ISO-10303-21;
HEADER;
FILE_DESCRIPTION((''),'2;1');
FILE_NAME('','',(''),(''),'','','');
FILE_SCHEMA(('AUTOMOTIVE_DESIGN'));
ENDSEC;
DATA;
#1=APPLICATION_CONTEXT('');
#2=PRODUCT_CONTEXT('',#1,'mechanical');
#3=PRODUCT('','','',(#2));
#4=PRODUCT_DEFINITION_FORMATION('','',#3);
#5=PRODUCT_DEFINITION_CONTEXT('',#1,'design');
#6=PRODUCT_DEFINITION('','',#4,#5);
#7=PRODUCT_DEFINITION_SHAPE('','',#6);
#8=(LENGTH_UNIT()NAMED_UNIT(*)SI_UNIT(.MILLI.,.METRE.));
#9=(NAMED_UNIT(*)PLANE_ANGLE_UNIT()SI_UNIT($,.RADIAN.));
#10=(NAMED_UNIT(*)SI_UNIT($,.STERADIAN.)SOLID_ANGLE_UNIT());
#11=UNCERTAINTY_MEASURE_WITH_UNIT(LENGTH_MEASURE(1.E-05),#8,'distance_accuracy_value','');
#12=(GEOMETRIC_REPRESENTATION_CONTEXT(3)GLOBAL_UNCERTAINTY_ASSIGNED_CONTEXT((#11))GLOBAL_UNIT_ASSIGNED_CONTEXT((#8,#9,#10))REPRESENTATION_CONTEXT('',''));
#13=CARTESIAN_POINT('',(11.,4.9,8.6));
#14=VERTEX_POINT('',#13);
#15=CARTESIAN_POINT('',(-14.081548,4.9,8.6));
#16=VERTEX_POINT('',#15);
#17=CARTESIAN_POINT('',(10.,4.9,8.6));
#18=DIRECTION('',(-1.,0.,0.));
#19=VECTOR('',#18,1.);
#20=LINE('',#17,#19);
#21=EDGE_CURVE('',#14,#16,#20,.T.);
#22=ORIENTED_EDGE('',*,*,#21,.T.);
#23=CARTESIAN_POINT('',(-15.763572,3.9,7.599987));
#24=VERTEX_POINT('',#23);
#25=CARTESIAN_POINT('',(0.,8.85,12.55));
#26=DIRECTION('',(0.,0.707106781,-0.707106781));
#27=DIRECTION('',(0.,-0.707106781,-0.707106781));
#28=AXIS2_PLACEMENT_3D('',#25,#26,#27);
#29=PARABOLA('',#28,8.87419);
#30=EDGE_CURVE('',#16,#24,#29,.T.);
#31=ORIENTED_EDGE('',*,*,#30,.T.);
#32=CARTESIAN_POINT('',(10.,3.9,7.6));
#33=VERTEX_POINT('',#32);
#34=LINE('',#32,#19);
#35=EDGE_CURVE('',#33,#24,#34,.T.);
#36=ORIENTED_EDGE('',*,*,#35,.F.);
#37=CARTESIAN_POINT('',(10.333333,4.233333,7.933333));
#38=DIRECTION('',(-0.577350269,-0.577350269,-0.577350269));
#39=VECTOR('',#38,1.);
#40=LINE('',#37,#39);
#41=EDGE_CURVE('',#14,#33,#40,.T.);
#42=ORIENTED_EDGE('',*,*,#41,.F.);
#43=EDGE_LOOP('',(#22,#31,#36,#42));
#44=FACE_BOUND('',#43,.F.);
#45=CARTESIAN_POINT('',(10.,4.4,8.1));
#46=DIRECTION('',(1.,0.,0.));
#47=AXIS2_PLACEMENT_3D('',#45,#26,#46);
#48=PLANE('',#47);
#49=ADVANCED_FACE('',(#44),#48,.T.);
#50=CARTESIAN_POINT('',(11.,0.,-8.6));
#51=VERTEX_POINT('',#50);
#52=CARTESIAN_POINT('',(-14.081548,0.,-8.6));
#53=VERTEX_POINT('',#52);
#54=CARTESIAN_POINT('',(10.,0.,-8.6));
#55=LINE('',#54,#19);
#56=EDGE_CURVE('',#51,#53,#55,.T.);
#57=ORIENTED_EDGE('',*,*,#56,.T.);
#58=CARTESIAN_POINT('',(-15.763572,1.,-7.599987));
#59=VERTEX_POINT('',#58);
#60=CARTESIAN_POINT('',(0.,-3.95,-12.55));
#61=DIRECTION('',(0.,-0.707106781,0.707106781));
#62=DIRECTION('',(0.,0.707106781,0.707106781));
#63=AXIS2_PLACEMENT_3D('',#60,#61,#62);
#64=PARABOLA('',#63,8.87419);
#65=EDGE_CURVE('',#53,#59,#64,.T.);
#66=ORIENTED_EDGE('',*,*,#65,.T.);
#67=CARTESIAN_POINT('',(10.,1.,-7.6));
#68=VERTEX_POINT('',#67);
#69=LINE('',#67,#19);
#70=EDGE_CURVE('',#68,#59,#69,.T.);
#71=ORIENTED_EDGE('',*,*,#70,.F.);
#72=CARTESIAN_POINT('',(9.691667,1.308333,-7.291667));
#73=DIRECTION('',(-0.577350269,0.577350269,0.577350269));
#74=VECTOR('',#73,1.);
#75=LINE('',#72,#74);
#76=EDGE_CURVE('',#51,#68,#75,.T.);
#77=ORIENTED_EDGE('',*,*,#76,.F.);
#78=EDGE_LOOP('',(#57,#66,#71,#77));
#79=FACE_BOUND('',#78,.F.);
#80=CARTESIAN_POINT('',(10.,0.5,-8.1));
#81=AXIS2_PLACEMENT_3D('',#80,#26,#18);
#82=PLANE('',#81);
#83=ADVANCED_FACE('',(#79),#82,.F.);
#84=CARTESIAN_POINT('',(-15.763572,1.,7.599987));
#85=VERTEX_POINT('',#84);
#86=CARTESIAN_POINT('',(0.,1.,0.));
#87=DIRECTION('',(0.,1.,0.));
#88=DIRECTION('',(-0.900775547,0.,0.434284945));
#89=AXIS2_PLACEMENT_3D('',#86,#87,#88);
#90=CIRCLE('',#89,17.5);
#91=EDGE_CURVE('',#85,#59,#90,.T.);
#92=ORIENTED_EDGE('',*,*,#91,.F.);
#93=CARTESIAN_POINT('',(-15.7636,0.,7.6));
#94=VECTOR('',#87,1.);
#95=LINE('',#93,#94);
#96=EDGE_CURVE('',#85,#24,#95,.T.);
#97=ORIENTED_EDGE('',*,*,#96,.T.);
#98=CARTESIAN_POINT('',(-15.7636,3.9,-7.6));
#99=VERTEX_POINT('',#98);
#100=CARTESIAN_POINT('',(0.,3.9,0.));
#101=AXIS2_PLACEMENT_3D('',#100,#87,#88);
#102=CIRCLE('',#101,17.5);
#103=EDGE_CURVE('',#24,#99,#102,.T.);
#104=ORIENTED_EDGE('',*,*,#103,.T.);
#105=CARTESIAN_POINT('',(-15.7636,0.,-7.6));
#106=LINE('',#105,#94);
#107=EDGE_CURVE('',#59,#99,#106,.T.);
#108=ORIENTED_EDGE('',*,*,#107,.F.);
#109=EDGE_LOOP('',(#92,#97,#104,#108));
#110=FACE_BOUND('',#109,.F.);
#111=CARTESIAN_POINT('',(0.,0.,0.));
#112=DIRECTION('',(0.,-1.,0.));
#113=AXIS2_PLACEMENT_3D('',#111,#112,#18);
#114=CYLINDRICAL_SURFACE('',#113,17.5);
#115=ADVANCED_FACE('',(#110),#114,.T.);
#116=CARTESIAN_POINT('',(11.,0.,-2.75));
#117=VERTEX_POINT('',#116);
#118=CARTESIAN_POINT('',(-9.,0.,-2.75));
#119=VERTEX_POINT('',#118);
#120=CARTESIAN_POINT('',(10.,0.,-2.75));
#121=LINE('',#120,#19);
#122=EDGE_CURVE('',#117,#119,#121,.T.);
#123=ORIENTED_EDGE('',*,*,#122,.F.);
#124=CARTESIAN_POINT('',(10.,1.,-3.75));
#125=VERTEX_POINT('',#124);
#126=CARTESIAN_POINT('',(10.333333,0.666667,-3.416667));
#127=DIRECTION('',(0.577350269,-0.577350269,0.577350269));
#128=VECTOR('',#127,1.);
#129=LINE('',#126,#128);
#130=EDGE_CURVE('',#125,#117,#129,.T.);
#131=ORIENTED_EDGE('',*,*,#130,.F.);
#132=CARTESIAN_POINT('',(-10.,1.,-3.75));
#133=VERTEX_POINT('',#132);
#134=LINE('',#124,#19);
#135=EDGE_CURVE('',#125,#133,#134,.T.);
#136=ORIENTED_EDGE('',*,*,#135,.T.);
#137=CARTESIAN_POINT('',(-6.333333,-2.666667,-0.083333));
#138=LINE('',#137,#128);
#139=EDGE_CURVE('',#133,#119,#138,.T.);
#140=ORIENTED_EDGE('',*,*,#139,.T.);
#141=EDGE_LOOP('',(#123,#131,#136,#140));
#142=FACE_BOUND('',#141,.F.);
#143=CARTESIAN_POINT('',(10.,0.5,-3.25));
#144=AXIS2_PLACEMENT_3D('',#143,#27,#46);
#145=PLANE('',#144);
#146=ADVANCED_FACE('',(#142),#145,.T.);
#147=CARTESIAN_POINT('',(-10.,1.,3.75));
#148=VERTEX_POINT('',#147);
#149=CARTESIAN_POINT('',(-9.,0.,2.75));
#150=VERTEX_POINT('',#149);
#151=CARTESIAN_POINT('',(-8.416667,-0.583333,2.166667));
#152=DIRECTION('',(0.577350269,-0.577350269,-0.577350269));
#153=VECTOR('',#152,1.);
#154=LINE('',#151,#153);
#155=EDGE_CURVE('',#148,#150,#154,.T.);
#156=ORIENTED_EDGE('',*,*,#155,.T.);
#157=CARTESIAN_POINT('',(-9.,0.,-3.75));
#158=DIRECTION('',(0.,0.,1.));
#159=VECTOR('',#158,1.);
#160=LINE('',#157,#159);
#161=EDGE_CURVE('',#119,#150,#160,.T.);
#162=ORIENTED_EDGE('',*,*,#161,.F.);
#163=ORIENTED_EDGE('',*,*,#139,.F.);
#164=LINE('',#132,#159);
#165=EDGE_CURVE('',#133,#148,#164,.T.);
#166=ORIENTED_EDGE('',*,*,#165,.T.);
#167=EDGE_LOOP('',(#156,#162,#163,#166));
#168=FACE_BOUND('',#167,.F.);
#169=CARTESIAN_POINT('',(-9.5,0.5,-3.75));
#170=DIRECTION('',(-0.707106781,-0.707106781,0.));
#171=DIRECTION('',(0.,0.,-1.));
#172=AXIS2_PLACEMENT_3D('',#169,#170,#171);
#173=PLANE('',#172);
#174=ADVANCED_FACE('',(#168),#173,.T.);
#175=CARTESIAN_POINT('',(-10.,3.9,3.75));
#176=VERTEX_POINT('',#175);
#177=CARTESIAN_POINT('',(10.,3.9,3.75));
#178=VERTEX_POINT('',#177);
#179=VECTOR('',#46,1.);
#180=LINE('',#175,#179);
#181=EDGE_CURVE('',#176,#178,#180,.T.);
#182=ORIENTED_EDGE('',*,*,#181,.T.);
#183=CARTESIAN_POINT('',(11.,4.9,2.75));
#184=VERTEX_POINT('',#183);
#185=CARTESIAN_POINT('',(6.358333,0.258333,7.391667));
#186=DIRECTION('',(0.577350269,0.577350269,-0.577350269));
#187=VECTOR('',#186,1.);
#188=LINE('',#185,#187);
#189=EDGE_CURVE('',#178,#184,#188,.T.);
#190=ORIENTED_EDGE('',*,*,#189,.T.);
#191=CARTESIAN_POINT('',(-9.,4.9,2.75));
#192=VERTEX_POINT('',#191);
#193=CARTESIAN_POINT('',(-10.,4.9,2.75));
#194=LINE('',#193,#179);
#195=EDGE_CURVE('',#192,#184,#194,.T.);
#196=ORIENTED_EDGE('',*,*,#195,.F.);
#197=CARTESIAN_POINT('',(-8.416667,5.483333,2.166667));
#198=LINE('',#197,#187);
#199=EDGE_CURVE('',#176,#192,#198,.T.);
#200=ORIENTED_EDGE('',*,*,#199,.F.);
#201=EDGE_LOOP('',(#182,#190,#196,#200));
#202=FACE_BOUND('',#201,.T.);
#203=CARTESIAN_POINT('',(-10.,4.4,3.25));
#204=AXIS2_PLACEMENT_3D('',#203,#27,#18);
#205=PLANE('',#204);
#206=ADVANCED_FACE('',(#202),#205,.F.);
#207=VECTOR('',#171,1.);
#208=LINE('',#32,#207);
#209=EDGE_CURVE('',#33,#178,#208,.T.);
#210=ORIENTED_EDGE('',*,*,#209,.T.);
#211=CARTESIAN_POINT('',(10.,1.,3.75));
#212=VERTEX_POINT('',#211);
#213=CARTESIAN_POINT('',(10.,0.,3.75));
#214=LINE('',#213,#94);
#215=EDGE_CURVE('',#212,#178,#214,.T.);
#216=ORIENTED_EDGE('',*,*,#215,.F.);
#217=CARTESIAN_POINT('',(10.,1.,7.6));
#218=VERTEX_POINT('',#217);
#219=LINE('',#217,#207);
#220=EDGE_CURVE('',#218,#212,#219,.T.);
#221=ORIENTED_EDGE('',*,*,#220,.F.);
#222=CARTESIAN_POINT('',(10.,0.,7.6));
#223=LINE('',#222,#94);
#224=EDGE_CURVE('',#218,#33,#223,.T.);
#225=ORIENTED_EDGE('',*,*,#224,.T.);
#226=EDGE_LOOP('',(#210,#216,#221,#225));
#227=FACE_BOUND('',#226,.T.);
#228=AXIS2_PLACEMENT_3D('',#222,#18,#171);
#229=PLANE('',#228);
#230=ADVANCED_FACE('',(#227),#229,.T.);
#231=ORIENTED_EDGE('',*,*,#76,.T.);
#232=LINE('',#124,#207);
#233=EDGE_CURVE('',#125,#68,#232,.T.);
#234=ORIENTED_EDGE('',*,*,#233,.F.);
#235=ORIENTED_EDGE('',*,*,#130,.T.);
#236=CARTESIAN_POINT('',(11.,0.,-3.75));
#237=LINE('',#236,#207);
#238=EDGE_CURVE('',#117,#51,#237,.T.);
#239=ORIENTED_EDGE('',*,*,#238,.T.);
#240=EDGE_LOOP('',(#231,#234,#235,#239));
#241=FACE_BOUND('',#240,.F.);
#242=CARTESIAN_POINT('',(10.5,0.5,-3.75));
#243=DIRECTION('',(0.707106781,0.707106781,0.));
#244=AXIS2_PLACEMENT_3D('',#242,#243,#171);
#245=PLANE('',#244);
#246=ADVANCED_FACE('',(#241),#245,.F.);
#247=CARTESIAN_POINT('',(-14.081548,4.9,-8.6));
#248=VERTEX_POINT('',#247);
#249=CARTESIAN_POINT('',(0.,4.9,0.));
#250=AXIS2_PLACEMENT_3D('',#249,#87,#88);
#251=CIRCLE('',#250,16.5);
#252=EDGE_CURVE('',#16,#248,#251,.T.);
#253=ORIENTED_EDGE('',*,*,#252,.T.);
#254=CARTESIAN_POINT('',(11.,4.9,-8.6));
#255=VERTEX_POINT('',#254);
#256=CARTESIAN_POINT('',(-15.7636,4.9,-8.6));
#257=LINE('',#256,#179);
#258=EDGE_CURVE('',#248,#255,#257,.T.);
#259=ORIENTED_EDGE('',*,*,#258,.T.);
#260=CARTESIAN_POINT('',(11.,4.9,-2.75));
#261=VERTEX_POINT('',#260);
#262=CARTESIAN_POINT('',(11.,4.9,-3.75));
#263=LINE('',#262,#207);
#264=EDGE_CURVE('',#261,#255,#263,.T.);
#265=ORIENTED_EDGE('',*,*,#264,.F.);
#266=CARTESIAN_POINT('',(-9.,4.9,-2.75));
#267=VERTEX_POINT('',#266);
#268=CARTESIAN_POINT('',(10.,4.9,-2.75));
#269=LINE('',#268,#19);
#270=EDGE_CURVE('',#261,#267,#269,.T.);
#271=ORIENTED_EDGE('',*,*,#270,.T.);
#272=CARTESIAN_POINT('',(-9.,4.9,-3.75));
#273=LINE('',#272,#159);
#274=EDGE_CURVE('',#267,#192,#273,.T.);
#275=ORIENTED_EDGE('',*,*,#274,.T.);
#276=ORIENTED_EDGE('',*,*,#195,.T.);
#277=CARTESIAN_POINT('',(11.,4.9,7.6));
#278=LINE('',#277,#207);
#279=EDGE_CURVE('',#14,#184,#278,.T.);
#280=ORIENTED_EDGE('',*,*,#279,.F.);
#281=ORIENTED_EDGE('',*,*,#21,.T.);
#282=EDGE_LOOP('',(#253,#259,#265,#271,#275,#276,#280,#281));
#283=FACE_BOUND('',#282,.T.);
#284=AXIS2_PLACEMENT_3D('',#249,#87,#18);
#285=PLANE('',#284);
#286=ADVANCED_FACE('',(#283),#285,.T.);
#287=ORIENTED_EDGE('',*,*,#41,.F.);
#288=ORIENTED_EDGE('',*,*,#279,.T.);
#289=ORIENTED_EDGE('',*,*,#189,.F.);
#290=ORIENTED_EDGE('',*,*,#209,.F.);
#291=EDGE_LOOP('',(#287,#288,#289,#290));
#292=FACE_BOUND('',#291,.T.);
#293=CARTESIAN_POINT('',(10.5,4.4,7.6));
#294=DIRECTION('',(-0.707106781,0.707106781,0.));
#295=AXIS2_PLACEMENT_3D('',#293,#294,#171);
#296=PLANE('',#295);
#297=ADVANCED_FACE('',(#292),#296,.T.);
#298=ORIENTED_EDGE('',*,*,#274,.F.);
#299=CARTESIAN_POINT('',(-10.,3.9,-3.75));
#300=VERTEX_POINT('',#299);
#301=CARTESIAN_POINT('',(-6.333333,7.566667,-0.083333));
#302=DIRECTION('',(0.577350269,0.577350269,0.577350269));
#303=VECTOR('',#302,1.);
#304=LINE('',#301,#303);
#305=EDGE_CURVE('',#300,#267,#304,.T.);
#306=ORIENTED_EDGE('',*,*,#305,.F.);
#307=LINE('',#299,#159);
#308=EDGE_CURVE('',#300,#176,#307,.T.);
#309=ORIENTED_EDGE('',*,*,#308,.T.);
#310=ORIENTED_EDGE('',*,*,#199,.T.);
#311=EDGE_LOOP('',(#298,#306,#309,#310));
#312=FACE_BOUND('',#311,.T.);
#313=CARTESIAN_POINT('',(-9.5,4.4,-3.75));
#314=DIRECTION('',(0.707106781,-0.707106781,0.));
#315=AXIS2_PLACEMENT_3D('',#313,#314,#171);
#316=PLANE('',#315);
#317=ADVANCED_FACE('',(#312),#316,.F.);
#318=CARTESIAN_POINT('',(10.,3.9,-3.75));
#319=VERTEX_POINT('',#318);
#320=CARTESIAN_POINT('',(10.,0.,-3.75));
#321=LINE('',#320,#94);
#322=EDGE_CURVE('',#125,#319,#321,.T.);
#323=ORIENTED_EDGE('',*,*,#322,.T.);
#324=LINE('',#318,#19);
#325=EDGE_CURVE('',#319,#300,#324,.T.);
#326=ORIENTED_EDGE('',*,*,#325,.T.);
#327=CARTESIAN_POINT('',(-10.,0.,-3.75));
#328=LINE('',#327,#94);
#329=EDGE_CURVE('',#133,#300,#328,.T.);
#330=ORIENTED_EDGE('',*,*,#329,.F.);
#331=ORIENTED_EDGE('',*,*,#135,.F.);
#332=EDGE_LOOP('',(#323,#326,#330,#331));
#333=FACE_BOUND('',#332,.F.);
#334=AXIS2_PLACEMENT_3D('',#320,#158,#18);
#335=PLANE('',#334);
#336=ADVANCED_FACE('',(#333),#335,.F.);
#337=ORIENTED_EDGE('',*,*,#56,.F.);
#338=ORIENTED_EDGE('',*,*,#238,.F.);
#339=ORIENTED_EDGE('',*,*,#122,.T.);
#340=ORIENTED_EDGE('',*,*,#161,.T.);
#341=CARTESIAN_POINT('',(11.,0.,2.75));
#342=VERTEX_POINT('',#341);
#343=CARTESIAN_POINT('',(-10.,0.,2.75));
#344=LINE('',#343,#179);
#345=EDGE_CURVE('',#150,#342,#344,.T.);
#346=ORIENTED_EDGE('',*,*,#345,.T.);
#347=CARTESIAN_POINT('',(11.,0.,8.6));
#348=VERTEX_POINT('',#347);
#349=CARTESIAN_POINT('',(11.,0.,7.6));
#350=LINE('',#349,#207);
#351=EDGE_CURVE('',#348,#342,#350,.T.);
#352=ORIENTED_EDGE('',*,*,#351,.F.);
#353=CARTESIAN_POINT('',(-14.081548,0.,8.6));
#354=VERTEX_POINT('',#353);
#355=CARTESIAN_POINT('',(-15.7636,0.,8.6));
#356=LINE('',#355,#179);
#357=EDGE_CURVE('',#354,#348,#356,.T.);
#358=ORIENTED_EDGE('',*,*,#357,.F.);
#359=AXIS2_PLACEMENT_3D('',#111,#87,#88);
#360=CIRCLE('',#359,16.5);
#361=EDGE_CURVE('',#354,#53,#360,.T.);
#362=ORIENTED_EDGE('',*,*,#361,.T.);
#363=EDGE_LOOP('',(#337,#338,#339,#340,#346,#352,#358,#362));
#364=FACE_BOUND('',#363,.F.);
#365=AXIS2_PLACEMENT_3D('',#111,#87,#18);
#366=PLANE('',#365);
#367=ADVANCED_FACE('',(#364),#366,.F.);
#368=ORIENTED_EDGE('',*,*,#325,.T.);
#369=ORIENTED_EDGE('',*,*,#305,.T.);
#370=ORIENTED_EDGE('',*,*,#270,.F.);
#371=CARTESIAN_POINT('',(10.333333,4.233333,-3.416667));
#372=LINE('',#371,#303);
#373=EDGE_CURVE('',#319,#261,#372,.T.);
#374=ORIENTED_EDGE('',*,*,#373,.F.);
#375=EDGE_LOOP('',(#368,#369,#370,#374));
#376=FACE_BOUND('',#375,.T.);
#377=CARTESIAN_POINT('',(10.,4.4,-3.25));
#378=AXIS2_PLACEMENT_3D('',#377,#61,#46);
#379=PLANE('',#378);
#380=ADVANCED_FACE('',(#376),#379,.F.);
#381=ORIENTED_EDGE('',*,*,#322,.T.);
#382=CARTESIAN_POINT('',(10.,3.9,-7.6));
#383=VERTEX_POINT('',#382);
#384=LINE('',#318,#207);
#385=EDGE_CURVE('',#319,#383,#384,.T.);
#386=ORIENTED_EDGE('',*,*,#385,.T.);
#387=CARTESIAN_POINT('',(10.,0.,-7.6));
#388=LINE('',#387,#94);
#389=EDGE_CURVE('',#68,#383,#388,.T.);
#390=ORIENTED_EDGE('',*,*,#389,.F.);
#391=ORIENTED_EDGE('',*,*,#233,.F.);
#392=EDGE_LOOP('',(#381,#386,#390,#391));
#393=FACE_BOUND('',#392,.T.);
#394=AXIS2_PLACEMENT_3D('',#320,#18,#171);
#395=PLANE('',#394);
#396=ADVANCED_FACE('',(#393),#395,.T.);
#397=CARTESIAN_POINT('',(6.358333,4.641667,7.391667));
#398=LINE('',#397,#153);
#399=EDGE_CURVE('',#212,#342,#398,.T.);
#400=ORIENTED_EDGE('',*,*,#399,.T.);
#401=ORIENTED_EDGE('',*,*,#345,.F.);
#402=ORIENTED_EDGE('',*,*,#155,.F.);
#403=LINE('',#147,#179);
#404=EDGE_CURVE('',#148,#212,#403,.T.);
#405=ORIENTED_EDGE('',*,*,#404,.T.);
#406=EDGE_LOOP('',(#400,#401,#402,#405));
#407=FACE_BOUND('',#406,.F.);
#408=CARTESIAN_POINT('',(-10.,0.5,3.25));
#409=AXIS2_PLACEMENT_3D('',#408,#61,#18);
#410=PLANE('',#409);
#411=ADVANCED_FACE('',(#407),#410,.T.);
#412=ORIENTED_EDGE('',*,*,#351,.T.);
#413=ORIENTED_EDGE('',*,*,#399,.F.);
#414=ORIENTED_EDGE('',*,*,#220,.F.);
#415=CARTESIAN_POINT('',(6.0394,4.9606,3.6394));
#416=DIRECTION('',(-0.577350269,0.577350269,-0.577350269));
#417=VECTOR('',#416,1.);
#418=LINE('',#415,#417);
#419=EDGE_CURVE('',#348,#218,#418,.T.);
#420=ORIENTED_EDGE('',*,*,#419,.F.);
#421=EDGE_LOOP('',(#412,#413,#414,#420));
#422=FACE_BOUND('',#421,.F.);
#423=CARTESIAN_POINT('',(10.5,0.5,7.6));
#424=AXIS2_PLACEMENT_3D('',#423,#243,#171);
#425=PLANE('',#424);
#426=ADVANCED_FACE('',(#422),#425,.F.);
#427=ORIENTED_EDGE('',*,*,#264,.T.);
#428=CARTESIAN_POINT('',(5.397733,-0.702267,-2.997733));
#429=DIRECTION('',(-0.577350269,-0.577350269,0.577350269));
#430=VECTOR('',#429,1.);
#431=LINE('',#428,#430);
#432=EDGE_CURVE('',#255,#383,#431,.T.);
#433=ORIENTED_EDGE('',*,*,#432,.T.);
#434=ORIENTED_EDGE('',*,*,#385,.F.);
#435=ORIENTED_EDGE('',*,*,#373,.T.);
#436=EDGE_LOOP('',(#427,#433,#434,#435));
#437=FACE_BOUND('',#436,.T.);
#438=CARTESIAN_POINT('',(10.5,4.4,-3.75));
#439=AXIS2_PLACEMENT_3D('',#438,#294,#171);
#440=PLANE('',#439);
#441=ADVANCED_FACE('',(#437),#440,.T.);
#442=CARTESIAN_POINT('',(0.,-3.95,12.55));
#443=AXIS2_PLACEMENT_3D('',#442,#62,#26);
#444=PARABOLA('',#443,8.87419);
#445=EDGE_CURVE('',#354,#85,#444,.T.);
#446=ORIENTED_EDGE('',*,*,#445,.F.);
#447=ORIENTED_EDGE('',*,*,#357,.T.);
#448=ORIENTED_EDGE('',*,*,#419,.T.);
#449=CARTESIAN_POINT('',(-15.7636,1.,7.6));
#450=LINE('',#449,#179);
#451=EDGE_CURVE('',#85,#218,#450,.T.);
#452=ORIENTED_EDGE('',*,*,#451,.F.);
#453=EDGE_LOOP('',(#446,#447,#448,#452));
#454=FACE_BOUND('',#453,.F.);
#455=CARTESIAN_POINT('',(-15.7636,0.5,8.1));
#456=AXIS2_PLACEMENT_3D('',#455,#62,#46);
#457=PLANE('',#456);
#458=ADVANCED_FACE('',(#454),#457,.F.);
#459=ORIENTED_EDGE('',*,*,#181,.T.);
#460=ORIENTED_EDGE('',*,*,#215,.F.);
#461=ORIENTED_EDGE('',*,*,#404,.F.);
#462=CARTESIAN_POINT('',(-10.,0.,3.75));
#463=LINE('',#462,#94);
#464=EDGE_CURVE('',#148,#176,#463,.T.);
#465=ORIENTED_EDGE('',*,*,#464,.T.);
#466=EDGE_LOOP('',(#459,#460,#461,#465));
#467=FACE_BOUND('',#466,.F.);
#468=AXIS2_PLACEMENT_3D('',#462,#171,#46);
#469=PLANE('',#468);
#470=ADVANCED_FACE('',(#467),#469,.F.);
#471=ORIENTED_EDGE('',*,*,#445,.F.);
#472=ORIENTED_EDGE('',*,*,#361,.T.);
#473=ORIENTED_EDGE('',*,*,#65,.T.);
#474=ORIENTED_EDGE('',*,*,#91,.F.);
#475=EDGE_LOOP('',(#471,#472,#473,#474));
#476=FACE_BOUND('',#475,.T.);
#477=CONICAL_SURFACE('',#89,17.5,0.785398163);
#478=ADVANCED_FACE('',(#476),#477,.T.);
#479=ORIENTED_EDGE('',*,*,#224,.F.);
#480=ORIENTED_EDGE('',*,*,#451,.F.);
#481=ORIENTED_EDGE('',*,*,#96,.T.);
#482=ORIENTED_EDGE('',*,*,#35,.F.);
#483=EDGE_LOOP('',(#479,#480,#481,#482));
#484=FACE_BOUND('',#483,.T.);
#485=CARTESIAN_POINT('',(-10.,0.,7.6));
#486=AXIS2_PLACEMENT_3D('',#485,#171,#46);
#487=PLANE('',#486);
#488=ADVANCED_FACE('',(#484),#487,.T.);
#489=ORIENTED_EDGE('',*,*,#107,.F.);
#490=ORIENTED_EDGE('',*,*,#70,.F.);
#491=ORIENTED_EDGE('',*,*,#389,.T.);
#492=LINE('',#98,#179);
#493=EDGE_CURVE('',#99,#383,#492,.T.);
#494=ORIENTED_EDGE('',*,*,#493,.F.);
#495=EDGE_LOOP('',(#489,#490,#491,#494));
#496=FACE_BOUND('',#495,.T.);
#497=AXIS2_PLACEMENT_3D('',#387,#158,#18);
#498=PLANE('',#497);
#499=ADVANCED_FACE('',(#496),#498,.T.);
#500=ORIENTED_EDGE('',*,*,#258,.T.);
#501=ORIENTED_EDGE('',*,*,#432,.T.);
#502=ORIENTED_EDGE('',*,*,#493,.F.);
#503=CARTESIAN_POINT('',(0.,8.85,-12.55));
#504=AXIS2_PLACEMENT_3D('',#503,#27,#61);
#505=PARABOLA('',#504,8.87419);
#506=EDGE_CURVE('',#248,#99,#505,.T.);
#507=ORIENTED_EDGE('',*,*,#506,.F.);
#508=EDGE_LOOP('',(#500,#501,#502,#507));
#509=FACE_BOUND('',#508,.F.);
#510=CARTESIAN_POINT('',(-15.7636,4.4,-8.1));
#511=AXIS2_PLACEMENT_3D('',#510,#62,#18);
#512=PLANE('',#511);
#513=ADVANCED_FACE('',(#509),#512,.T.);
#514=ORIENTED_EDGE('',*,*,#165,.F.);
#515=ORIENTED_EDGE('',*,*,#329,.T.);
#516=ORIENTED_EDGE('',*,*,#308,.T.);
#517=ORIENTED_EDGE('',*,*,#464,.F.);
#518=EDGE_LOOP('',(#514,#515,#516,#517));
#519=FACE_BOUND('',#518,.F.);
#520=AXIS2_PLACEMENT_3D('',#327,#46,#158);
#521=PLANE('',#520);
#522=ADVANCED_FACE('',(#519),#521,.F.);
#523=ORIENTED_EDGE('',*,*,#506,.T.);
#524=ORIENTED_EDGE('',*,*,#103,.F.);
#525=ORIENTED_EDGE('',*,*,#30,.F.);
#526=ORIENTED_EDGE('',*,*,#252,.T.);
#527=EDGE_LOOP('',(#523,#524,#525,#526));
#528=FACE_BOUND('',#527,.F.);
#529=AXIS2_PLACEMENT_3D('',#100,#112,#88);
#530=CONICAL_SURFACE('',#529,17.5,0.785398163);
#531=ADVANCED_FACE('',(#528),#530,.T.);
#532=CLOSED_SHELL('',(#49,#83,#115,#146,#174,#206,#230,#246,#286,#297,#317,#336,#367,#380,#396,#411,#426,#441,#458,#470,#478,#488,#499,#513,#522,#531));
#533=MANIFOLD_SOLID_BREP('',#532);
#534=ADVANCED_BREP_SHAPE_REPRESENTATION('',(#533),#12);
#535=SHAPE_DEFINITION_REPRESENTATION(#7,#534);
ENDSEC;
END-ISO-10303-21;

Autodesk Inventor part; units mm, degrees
ref_plane "YZ Plane" through (0, 0, 0) normal (1, 0, 0) x (0, 1, 0)
ref_plane "XZ Plane" through (0, 0, 0) normal (0, 1, 0) x (-1, 0, 0)
ref_plane "XY Plane" through (0, 0, 0) normal (0, 0, 1) x (1, 0, 0)
sketch "Sketch1" plane through (0, 0, 0) normal (0, 1, 0) x (-1, 0, 0)
  line L0 (10, 3.75) -> (-10, 3.75)
  line L1 (-10, 3.75) -> (-10, -3.75)
  line L2 (-10, -3.75) -> (10, -3.75)
  line L3 (10, -3.75) -> (10, 3.75)
  line L4 (10, 7.6) -> (-10, 7.6)
  line L5 (-10, 7.6) -> (-10, -7.6)
  line L6 (-10, -7.6) -> (10, -7.6)
  line L7 (10, -7.6) -> (10, 7.6)
  circle A0 centre (0, 0) radius 17.5
  line L8 (10, -7.6) -> (15.7636, -7.6)
  line L9 (10, 7.6) -> (15.7636, 7.6)
  dimension "d1" = 20
  dimension "d2" = 7.5
  dimension "d3" = 20
  dimension "d4" = 15.2
  dimension "d5" = 7.6
  dimension "d6" = 3.75
  dimension "d7" = 10
  dimension "d8" = 10
  dimension "d9" = 35
extrude "Extrusion1" add sketch "Sketch1" along normal blind 4.9 contours L3 L2 L1 L0 | L1 L5 L6 L8 A0 L9 L4
chamfer "Chamfer1" distance 1 angle 45 16 edges at (-10, 4.9, 0) (0, 4.9, 3.75) (0, 4.9, -3.75) (10, 4.9, -5.675) (0, 4.9, -7.6) (17.5, 4.9, 0) (0, 4.9, 7.6) (10, 4.9, 5.675) (17.5, 0, 0) (0, 0, -7.6) (0, 0, -3.75) (0, 0, 3.75) (0, 0, 7.6) (10, 0, 5.675) (10, 0, -5.675) (-10, 0, 0)
equation "\"d5\" = 0.5 * d4"
equation "\"d6\" = 0.5 * d2"
equation "\"d7\" = 0.5 * d3"
equation "\"d8\" = 0.5 * d1"
properties part number "Clips"
